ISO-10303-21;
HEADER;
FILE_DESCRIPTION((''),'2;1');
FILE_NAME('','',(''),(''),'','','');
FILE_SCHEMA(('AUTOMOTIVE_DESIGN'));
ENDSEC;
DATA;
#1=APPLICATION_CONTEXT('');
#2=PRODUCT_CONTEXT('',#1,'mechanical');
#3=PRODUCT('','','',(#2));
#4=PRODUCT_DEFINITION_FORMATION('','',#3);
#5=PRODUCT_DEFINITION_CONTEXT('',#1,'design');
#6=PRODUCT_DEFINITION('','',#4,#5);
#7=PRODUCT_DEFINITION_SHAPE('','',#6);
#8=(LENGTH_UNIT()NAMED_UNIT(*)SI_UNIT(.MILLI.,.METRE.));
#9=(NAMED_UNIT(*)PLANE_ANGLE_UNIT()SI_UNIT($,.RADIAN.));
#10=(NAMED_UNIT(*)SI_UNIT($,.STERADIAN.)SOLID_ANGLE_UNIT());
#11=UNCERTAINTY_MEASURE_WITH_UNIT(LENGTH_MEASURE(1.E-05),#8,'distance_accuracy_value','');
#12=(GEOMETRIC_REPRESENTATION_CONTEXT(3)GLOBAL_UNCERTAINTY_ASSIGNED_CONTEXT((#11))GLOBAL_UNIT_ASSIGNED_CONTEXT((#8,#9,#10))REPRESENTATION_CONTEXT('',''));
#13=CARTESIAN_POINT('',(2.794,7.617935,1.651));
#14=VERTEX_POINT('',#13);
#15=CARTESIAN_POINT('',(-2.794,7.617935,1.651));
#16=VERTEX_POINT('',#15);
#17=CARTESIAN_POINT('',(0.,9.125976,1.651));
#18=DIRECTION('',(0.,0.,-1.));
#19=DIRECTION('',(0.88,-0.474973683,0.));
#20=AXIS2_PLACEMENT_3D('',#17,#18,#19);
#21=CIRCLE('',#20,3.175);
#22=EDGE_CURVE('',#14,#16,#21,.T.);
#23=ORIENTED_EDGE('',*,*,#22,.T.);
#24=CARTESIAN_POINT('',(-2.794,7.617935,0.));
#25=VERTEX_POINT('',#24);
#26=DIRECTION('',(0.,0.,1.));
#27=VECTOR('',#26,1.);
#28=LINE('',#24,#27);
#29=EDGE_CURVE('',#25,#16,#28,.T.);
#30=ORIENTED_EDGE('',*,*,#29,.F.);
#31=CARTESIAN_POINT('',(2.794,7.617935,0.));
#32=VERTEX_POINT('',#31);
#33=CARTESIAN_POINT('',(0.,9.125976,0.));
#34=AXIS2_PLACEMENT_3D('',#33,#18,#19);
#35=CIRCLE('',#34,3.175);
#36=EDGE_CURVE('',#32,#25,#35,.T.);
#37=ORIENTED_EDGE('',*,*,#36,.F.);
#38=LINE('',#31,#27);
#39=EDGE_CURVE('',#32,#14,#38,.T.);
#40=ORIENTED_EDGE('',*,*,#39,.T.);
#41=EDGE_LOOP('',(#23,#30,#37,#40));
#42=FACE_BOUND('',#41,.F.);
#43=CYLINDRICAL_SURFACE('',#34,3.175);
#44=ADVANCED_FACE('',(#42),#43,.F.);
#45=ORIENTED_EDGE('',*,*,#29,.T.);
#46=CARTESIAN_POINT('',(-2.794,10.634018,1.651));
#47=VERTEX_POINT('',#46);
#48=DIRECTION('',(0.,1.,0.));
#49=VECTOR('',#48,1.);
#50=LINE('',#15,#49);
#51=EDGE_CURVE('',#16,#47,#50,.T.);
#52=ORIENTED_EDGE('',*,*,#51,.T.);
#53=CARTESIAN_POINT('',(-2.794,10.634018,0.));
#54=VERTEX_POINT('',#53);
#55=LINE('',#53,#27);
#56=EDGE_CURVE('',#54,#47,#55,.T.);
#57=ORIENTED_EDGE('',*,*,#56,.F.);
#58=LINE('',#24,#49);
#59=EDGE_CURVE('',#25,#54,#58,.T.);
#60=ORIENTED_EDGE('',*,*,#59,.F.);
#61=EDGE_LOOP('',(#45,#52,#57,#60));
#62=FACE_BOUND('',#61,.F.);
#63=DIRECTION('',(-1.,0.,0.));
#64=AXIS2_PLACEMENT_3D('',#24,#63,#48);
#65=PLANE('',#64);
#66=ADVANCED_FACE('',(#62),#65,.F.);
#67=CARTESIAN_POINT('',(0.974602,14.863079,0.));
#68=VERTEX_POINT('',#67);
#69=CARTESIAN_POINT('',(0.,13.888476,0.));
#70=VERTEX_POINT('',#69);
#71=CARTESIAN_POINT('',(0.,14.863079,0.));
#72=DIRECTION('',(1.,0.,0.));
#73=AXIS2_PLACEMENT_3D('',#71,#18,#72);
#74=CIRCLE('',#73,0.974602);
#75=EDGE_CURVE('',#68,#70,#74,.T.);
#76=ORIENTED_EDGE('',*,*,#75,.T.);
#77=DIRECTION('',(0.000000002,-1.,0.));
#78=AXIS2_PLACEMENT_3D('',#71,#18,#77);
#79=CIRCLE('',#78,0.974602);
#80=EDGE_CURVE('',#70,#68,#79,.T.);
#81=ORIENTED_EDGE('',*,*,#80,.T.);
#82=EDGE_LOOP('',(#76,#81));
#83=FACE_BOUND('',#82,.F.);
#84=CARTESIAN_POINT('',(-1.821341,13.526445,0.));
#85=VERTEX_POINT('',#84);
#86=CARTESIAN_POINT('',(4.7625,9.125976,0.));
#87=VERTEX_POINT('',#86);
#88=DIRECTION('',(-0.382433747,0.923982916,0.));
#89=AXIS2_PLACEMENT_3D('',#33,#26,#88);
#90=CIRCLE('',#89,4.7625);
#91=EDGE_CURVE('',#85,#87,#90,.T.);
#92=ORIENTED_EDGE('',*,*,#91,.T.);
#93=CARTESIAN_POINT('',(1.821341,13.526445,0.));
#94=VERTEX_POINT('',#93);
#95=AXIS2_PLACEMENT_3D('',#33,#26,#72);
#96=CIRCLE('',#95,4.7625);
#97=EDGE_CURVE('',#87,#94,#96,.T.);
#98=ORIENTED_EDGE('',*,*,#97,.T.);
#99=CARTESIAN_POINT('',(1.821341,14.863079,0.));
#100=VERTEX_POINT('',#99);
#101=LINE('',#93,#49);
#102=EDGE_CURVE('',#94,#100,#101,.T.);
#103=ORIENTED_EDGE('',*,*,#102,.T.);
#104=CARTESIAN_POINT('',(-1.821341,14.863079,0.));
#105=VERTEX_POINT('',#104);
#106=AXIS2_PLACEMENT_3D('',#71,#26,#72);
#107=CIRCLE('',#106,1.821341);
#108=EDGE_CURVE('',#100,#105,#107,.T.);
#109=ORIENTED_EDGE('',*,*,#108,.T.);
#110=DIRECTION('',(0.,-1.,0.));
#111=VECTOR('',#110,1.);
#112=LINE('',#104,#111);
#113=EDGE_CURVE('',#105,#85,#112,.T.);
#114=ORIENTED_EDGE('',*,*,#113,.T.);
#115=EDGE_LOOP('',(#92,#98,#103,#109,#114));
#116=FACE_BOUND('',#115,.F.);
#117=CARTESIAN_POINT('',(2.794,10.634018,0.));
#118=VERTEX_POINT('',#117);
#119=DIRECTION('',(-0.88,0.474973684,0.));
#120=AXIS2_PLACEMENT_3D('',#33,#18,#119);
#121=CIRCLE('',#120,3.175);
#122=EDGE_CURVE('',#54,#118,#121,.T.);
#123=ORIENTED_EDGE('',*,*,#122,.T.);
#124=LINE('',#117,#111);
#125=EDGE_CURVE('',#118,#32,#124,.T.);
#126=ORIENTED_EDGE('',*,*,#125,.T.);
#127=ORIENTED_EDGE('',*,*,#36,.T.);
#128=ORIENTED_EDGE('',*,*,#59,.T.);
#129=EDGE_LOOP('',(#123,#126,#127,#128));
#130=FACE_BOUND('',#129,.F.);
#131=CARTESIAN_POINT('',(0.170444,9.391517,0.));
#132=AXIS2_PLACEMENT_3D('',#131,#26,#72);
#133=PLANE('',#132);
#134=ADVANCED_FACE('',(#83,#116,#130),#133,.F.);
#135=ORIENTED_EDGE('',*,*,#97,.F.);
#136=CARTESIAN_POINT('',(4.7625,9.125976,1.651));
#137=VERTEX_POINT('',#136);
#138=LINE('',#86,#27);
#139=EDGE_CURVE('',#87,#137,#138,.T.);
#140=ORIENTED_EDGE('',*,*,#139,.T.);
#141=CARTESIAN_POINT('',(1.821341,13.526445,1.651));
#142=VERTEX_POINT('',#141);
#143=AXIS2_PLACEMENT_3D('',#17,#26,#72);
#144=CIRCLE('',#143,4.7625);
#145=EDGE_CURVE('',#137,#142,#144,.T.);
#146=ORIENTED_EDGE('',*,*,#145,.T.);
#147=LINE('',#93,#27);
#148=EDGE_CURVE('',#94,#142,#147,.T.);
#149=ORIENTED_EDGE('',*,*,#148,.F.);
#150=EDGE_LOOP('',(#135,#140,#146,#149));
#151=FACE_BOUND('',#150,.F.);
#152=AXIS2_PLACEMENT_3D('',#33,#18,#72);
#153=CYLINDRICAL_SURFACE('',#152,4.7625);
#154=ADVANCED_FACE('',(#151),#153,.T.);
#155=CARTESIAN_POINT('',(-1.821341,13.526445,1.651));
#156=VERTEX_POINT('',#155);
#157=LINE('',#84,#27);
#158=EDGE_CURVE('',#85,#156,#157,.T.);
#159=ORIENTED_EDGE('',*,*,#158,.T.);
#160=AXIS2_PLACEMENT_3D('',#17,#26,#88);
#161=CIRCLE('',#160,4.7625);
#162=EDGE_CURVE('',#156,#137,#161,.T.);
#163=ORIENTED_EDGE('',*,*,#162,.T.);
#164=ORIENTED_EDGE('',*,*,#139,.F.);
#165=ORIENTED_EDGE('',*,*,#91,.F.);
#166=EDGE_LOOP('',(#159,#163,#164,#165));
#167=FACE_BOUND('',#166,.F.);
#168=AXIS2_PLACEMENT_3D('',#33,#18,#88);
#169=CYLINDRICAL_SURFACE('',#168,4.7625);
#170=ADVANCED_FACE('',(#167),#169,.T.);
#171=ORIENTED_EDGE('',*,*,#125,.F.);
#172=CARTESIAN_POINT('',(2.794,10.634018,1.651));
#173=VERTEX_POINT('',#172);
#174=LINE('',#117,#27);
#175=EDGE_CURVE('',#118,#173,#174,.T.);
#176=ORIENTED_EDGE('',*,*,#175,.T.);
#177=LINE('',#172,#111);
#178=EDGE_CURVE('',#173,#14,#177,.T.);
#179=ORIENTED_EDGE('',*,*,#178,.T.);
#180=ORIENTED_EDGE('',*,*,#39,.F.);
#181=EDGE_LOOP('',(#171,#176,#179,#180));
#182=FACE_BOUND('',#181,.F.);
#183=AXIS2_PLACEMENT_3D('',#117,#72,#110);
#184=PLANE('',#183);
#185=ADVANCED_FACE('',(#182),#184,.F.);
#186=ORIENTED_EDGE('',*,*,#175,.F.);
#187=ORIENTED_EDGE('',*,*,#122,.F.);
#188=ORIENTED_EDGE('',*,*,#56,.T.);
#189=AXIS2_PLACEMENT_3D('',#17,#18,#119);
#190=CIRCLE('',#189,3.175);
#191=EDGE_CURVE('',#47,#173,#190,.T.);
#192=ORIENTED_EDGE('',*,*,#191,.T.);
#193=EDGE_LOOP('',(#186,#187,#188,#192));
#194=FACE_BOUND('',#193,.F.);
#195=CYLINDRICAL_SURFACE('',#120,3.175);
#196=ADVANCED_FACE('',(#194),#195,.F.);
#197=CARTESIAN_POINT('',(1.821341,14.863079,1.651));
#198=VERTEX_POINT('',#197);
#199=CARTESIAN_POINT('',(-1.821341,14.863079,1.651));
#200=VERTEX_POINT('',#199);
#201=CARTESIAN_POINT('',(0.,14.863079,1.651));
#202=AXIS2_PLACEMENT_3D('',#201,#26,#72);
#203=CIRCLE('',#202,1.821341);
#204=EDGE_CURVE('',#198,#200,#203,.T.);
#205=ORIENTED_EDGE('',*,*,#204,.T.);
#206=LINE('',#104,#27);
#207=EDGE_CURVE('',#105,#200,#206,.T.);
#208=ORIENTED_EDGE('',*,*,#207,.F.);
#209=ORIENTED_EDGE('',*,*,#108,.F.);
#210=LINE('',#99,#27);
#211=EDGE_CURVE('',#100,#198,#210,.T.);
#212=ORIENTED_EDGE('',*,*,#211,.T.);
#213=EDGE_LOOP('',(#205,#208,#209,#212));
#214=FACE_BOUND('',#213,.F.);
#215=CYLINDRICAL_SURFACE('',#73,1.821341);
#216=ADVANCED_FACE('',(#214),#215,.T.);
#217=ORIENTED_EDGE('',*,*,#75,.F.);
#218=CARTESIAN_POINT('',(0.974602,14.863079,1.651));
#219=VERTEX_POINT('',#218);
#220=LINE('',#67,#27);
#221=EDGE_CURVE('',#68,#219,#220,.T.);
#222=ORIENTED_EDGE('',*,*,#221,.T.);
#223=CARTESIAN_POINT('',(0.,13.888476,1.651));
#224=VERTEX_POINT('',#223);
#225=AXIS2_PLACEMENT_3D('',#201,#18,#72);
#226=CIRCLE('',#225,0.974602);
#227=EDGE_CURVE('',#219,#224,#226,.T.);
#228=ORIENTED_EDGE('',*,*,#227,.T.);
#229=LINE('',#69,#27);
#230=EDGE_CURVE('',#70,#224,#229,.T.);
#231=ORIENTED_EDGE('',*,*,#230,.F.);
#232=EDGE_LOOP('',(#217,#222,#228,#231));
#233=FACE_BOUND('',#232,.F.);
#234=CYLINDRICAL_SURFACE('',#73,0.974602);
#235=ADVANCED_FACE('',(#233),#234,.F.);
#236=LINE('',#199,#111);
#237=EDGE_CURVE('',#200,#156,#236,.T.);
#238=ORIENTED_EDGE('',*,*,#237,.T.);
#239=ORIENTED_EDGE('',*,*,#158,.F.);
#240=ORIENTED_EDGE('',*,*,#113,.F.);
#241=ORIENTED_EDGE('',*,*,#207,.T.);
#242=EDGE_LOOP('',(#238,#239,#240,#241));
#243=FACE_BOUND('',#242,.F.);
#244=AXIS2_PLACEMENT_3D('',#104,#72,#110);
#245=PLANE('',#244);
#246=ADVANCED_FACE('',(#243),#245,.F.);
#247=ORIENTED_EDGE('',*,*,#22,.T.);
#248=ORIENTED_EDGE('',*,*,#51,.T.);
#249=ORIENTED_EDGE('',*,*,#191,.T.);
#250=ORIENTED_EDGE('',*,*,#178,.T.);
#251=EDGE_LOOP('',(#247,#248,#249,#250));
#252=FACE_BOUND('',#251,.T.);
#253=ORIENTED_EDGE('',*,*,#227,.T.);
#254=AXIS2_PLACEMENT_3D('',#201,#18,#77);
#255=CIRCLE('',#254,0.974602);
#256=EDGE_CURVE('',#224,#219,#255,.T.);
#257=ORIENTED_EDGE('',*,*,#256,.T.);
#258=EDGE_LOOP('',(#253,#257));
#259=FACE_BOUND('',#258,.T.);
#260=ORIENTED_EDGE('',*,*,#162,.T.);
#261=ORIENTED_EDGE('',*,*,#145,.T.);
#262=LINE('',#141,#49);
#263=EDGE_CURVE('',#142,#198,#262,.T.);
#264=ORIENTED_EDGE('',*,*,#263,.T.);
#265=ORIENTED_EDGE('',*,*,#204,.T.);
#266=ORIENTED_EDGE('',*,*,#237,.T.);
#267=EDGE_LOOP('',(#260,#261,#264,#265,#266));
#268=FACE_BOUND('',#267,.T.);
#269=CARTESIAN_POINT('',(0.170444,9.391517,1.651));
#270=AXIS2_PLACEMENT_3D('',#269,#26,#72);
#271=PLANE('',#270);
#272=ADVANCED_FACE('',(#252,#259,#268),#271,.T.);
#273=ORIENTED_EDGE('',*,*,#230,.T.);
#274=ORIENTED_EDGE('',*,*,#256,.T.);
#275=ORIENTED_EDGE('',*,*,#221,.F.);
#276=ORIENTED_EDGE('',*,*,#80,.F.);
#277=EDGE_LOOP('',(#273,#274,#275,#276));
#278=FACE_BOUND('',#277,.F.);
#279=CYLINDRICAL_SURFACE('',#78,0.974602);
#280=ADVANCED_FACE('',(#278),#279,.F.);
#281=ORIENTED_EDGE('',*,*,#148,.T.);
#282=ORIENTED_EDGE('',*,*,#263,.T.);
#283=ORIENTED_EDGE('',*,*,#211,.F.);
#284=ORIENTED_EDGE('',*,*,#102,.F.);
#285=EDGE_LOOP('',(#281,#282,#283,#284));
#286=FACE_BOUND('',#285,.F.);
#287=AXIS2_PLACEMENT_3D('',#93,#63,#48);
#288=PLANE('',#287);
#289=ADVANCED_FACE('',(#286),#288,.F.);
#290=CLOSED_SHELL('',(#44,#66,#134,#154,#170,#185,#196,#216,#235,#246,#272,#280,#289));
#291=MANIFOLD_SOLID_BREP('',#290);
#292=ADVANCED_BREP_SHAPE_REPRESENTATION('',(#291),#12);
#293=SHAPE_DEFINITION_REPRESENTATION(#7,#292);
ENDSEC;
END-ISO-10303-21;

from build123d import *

# Parameters (mm, degrees)
F1_DEPTH = 1.651


with BuildPart() as f1:
    # F0 (on Top) → F1 (new body)
    with BuildSketch(Plane.XY):
        with BuildLine():
            ThreePointArc((1.8213407221, 13.5264450688), (0.9284865025, 13.7970918303), (2e-09, 13.8884764319))
            ThreePointArc((2e-09, 13.8884764319), (-0.9284865005, 13.7970918307), (-1.8213407221, 13.5264450688))
            ThreePointArc((-1.8213407221, 13.5264450688), (-2.6464382726, 5.1664599565), (4.7625, 9.1259764319))
            ThreePointArc((4.7625, 9.1259764319), (3.9595164755, 11.7724147045), (1.8213407221, 13.5264450688))
        make_face()
        with BuildLine():
            ThreePointArc((-2.794, 10.634017877), (0, 12.3009764319), (2.794, 10.634017877))
            Line((2.794, 10.634017877), (2.794, 7.6179349869))
            ThreePointArc((2.794, 7.6179349869), (0, 5.9509764319), (-2.794, 7.6179349869))
            Line((-2.794, 7.6179349869), (-2.794, 10.634017877))
        make_face(mode=Mode.SUBTRACT)
        with BuildLine():
            ThreePointArc((-1.8213407221, 13.5264450688), (-0.9284865005, 13.7970918307), (2e-09, 13.8884764319))
            ThreePointArc((2e-09, 13.8884764319), (0.9284865025, 13.7970918303), (1.8213407221, 13.5264450688))
            Line((1.8213407221, 13.5264450688), (1.8213407221, 14.8630785568))
            ThreePointArc((1.8213407221, 14.8630785568), (0, 16.6844192788), (-1.8213407221, 14.8630785568))
            Line((-1.8213407221, 14.8630785568), (-1.8213407221, 13.5264450688))
        make_face()
        with BuildLine():
            ThreePointArc((2e-09, 13.8884764319), (-0.6891477722, 15.5522263275), (0.9746021248, 14.8630785568))
            ThreePointArc((0.9746021248, 14.8630785568), (0.6891477722, 14.173930786), (2e-09, 13.8884764319))
        make_face(mode=Mode.SUBTRACT)
    extrude(amount=F1_DEPTH)


solid = f1.part
